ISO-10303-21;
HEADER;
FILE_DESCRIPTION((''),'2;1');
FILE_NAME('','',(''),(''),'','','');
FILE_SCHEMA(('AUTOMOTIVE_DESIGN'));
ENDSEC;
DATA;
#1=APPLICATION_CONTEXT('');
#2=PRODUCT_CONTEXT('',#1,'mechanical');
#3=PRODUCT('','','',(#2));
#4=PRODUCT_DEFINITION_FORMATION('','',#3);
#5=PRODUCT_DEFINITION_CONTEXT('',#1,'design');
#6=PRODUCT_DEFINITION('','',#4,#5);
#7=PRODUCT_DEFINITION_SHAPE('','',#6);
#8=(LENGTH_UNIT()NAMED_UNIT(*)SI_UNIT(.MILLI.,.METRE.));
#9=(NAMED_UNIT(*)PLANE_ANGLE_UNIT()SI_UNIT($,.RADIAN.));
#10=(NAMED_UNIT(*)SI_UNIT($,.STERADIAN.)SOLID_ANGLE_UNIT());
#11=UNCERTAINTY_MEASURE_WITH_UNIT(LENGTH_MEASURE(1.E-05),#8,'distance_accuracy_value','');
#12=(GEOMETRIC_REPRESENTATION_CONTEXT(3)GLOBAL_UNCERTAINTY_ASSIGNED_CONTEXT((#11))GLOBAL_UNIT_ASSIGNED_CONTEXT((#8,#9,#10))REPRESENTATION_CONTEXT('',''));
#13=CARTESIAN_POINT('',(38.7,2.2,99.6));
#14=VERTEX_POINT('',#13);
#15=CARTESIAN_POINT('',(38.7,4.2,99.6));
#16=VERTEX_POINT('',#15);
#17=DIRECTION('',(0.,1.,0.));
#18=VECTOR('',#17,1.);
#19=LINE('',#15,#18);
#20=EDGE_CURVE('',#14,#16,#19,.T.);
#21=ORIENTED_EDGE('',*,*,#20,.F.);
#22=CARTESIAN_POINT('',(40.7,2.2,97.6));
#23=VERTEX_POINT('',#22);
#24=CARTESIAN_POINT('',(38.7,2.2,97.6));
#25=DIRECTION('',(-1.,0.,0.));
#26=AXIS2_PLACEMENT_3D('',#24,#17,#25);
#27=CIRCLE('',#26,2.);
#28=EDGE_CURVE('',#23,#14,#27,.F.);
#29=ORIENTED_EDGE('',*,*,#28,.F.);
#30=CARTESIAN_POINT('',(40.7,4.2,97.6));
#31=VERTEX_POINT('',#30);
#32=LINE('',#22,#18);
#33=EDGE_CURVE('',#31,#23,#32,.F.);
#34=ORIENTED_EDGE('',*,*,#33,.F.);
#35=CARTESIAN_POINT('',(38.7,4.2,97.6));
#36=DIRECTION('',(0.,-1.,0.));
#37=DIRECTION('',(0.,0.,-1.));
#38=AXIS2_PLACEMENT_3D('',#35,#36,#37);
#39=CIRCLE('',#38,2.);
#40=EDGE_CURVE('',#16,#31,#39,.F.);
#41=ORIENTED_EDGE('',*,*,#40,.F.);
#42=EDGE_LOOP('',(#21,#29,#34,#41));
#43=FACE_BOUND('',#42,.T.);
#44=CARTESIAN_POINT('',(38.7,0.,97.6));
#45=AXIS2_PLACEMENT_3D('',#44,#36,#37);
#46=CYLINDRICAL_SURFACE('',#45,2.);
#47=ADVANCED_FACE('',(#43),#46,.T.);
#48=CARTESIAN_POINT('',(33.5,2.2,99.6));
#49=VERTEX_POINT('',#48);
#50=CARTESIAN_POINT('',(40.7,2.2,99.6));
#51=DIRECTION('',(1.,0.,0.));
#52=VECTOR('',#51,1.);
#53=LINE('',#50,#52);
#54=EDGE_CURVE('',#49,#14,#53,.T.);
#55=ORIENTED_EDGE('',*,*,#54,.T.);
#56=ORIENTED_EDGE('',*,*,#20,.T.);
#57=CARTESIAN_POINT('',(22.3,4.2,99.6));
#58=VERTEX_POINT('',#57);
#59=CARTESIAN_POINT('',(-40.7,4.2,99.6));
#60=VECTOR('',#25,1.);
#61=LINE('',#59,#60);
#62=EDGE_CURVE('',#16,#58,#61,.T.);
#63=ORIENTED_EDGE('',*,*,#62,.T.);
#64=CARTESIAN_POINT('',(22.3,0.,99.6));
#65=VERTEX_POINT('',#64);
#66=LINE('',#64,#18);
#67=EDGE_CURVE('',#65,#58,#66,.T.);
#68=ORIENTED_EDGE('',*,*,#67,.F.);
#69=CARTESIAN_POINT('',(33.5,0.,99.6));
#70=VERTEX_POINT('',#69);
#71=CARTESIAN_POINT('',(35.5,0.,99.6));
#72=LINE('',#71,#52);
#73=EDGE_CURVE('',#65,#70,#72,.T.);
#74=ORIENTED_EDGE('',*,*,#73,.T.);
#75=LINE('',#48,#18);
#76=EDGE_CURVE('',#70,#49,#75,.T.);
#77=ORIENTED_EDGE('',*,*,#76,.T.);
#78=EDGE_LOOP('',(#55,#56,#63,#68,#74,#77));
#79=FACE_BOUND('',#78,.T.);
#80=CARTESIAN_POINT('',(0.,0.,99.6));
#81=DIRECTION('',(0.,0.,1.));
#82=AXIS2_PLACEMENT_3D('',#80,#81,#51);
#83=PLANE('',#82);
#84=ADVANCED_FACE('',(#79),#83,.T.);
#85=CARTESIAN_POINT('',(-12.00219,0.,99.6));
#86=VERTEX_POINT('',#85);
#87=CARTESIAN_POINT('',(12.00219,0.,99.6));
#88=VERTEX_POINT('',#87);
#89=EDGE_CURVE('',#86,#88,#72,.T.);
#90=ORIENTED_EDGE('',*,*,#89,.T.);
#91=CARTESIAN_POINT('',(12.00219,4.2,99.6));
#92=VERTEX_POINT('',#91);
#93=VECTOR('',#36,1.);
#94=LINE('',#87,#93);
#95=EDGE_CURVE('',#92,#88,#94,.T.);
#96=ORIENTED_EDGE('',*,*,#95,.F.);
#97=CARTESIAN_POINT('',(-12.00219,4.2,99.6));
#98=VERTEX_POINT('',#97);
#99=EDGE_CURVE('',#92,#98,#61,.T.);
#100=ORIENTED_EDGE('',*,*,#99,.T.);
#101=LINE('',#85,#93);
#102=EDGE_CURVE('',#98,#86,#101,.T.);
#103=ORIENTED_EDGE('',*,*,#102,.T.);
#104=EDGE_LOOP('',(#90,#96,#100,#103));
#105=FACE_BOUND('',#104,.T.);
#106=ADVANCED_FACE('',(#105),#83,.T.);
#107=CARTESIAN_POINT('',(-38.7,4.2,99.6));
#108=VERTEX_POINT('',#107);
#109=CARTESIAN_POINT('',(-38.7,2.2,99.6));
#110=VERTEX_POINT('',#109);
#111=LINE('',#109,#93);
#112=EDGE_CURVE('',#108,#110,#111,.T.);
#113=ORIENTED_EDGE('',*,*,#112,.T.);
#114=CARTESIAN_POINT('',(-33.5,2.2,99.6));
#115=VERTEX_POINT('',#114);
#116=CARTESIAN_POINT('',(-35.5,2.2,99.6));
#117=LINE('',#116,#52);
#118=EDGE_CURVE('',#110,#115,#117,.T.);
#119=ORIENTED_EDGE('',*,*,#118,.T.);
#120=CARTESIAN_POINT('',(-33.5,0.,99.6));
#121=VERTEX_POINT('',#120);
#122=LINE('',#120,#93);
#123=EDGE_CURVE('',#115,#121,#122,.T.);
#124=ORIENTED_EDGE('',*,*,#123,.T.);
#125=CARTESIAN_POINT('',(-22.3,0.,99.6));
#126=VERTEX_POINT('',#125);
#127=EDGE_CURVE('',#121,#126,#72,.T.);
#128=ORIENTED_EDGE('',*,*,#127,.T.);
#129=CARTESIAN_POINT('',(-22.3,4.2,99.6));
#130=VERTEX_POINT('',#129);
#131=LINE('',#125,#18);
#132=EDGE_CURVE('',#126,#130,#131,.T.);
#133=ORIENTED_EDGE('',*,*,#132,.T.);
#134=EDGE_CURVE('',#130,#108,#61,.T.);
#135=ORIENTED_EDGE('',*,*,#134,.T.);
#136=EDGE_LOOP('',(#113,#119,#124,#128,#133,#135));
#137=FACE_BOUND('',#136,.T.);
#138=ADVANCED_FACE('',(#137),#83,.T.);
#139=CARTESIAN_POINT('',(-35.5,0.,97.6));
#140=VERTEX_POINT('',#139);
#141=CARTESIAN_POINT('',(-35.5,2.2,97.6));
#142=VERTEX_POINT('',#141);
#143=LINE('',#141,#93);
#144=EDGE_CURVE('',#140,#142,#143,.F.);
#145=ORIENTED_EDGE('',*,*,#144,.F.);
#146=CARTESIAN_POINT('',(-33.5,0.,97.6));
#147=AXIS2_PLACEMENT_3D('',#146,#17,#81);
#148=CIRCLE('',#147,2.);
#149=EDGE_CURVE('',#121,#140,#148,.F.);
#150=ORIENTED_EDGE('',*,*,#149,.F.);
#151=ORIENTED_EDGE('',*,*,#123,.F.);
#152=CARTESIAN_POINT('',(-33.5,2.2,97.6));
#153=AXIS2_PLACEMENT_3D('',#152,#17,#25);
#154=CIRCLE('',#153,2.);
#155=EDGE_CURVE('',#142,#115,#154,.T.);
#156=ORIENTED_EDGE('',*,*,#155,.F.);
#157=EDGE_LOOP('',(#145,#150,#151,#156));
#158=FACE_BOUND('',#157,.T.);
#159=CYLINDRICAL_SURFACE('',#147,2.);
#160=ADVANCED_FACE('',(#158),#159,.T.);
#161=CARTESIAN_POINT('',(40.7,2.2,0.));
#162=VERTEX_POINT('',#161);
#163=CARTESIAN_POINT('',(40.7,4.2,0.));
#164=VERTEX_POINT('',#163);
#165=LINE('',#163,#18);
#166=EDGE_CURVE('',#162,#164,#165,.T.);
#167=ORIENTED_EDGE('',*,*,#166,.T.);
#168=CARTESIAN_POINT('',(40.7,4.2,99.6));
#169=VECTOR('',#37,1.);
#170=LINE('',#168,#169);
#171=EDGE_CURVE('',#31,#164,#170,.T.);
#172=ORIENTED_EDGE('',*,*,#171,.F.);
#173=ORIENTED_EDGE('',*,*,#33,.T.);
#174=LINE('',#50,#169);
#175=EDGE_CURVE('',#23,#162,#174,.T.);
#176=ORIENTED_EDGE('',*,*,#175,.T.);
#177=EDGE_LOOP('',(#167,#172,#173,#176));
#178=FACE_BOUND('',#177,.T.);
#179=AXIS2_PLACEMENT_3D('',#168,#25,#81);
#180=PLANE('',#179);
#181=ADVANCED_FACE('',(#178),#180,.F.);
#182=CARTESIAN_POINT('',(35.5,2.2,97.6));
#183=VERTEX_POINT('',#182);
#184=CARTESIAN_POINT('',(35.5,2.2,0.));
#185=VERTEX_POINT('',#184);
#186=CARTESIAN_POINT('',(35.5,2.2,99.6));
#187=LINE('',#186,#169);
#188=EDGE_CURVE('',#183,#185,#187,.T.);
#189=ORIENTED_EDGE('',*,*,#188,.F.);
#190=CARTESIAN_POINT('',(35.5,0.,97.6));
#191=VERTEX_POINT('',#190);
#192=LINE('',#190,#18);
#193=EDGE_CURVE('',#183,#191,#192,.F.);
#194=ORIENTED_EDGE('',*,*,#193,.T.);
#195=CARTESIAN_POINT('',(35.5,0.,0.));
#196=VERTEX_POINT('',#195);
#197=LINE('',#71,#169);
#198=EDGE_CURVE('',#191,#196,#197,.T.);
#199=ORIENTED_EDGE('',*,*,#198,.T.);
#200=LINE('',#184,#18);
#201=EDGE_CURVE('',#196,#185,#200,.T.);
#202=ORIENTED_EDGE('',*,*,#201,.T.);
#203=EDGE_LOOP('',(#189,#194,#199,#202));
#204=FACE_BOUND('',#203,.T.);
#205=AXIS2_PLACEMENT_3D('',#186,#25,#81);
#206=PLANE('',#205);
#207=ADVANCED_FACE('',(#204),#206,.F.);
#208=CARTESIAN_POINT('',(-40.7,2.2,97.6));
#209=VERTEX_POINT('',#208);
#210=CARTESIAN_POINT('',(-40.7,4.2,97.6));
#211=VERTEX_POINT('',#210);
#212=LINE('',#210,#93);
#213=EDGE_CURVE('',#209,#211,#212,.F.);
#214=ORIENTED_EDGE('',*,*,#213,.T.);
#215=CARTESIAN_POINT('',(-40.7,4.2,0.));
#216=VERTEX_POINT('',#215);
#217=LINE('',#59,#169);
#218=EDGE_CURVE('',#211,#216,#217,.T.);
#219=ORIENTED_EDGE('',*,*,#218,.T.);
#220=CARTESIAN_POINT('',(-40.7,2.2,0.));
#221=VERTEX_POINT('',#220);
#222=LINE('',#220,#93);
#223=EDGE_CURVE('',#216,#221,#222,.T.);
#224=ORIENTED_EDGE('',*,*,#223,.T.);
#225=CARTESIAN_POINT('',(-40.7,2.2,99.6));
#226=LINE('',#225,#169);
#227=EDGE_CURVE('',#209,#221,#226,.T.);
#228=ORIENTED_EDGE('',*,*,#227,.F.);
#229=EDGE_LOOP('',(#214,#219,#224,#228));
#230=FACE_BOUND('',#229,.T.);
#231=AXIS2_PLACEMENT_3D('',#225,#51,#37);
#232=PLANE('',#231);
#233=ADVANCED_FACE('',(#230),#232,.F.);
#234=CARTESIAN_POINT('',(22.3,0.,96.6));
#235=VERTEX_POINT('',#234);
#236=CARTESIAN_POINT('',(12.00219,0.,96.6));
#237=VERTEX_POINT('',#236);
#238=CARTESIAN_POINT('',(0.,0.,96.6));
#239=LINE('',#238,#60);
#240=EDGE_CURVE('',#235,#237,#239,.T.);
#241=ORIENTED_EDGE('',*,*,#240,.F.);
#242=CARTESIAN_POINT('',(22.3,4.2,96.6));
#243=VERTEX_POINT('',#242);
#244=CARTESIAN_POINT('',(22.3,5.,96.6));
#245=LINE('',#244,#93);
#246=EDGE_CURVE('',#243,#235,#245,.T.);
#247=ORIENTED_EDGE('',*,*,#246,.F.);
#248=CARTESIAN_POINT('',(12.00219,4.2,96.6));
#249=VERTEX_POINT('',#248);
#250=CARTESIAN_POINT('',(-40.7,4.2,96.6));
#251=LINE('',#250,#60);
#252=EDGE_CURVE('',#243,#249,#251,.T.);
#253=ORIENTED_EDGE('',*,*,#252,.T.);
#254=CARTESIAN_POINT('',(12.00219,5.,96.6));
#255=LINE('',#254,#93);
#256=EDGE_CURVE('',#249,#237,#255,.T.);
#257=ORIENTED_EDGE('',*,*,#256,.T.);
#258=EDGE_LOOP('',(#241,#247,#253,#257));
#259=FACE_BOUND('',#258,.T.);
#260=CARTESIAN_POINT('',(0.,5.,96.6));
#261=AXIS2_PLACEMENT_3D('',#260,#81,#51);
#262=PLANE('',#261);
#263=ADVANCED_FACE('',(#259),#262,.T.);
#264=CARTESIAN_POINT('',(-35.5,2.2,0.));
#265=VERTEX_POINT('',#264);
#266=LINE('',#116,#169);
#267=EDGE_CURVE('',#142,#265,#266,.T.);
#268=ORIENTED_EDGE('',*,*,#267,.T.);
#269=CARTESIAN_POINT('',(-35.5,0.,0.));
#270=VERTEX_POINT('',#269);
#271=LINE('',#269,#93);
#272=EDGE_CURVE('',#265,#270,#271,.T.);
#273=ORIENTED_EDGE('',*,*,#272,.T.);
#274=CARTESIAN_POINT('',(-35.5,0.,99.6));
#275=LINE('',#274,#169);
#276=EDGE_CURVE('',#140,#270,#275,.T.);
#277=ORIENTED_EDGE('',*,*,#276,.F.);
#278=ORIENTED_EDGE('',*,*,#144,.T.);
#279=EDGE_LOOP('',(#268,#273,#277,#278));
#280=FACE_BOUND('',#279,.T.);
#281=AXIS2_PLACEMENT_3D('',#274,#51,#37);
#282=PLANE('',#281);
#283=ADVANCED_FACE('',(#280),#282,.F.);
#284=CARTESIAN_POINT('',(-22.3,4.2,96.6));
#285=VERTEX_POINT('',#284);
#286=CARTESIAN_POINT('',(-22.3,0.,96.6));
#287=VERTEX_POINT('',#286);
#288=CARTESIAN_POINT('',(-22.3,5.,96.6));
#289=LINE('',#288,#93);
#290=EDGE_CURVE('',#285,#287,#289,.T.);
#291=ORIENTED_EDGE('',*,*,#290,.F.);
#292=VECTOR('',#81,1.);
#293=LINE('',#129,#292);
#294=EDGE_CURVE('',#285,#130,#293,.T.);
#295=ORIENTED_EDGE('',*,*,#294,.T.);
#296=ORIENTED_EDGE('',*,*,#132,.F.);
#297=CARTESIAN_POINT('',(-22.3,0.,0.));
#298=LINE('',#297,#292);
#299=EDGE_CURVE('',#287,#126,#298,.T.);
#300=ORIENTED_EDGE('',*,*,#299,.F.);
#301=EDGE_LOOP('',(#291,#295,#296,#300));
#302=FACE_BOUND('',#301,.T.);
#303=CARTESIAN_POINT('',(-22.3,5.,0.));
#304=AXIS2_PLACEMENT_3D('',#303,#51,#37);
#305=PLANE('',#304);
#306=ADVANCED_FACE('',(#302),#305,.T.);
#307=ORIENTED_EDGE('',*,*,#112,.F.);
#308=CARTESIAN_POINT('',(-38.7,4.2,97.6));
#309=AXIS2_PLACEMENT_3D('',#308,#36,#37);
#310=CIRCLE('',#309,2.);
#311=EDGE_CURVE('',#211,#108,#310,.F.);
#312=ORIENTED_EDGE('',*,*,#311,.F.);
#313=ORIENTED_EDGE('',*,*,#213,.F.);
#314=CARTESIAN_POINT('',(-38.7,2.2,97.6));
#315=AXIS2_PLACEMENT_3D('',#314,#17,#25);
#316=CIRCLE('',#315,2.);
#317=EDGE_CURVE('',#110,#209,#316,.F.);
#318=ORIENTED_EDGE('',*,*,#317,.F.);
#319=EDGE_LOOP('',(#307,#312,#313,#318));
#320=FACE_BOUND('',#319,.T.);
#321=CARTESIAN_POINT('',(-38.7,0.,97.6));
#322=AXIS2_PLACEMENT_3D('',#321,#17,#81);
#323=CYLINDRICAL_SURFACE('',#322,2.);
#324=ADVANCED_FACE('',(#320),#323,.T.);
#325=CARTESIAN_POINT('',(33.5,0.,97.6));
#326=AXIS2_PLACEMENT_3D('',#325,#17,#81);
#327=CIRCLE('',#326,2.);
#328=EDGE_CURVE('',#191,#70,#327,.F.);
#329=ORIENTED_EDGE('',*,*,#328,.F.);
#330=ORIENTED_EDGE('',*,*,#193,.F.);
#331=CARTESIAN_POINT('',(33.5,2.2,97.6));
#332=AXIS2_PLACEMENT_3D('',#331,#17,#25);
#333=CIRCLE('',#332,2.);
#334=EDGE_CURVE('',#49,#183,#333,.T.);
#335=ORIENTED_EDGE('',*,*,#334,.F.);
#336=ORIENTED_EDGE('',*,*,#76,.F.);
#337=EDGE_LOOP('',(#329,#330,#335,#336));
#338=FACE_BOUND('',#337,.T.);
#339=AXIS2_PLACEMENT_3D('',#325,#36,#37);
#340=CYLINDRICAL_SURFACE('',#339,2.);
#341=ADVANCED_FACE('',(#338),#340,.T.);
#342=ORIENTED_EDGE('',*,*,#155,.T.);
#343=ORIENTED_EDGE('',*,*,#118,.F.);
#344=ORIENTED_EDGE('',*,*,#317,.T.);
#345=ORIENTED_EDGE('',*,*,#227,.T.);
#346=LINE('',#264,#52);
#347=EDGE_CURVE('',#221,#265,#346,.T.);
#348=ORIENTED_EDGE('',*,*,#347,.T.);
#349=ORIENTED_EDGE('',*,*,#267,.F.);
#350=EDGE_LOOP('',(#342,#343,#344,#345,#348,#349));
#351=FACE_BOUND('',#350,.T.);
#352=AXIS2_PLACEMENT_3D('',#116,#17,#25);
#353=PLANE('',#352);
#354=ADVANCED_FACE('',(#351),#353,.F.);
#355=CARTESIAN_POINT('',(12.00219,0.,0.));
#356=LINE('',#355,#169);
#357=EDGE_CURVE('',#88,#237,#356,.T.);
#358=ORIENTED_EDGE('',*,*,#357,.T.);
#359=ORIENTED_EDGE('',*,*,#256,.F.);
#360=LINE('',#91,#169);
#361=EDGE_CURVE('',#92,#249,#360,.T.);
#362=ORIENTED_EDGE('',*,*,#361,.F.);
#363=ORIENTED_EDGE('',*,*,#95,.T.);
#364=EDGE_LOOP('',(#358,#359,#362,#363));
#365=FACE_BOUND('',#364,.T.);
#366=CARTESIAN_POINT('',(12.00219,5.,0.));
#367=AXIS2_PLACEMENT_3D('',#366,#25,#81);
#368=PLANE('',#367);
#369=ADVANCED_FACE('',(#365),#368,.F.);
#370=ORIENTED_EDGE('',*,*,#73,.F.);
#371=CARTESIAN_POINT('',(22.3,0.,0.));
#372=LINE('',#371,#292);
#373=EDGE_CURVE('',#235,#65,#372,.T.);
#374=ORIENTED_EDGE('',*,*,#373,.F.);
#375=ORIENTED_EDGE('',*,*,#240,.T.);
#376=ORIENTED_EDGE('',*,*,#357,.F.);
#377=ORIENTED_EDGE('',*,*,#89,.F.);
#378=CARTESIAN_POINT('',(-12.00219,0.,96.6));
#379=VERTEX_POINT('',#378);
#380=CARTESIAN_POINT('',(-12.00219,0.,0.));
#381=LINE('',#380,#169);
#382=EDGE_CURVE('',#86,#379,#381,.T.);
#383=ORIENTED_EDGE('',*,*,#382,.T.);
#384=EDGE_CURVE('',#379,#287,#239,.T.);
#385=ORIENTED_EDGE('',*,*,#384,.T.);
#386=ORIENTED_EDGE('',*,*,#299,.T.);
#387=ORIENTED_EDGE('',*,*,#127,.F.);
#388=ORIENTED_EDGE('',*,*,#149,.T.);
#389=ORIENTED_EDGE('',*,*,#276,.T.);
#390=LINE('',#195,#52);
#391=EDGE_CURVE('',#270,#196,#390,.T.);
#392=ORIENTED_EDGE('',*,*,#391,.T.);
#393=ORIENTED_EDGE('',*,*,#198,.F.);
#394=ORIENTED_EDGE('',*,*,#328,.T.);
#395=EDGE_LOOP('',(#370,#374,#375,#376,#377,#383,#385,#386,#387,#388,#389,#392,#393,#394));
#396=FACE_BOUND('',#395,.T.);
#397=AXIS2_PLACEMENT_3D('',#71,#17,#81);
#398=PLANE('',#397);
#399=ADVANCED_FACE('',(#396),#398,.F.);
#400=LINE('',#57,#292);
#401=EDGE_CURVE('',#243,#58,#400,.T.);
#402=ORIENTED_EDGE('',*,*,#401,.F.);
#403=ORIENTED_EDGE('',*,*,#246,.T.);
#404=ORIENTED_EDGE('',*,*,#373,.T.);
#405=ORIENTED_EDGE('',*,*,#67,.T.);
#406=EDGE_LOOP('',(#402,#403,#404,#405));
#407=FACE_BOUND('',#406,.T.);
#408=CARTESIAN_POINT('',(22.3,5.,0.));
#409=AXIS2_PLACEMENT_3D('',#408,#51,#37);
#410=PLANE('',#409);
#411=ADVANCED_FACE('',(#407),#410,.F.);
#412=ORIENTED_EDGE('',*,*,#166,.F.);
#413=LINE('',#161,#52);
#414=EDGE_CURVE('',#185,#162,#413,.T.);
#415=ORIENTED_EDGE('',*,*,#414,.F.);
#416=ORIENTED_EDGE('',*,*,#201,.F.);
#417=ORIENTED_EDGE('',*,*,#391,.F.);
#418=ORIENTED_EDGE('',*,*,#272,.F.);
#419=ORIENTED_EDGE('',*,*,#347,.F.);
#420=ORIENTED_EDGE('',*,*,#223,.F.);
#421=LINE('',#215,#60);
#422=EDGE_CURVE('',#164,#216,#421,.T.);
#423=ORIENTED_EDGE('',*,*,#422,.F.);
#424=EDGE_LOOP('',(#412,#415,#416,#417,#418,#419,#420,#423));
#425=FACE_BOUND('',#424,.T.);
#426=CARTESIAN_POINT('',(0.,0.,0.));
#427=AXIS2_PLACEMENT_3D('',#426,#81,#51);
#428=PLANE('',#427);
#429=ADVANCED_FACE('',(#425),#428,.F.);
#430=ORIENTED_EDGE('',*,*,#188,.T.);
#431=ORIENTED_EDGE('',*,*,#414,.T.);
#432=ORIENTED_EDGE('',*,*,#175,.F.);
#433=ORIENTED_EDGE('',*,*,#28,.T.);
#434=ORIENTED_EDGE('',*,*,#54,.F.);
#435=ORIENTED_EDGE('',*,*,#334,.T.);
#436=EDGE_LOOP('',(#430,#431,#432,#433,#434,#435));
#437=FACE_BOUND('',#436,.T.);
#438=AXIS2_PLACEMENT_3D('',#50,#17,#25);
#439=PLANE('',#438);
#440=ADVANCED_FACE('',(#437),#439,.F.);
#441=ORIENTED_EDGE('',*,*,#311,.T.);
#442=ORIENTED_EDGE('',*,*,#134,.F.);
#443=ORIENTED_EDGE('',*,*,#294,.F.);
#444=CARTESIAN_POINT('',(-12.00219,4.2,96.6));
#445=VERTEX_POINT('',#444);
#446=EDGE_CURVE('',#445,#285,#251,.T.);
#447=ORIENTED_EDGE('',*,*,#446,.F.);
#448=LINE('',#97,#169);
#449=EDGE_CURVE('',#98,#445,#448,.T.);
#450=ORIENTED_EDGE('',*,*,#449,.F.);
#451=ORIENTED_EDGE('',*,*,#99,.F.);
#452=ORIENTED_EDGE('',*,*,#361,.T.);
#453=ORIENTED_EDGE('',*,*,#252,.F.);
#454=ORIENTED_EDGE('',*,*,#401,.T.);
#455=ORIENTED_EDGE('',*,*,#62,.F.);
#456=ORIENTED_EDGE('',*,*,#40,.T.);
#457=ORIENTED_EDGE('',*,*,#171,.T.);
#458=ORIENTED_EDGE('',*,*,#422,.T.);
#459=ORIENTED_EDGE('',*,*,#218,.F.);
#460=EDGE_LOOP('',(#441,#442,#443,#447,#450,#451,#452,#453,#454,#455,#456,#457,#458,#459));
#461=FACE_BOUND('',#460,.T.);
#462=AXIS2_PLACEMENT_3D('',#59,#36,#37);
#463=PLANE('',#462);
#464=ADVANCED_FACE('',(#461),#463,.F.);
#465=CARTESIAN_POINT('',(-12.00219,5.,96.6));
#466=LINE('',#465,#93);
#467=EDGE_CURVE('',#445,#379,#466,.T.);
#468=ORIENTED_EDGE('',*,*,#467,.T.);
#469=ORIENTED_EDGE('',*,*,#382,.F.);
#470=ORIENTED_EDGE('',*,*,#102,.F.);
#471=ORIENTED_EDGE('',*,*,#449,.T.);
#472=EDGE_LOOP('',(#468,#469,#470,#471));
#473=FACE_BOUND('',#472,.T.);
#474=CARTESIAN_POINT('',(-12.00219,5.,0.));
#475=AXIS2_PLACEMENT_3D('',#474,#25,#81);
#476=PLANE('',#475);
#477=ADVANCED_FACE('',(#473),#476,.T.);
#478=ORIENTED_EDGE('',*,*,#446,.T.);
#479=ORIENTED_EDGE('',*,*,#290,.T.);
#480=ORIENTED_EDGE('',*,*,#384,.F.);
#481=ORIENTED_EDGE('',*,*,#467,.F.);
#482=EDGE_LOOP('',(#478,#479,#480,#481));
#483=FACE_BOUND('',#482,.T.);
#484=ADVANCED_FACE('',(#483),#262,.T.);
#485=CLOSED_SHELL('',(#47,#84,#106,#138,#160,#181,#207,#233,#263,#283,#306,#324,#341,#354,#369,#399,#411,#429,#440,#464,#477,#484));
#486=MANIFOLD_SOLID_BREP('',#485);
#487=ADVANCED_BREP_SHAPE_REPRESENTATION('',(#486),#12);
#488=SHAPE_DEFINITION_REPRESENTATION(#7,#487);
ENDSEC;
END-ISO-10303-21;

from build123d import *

# Parameters (mm, degrees)
BOSS_EXTRUDE1_DEPTH = 99.6
FILLET1_R           = 2
SKETCH3_W           = 10.297809691
SKETCH3_H           = 3
CUT_EXTRUDE1_DEPTH  = 5
FILLET2_R           = 2


with BuildPart() as part:
    # Sketch2 → Boss-Extrude1 (new body)
    with BuildSketch(Plane.XY):
        Polygon((35.5, 0), (-35.5, 0), (-35.5, 2.2), (-40.7, 2.2), (-40.7, 4.2), (40.7, 4.2), (40.7, 2.2), (35.5, 2.2), align=None)
    extrude(amount=BOSS_EXTRUDE1_DEPTH)

    # Fillet1
    fillet1_edges = [part.edges().sort_by_distance(p)[0] for p in [
        (40.7, 3.2, 99.6),
        (-40.7, 3.2, 99.6),
    ]]
    fillet(fillet1_edges, radius=FILLET1_R)

    # Sketch3 → Cut-Extrude1 (cut)
    with BuildSketch(Plane(origin=(0, 0, 0), x_dir=(-1, 0, 0), z_dir=(0, -1, 0))):
        with Locations((17.151095155, -98.1)):
            Rectangle(SKETCH3_W, SKETCH3_H)
        with Locations((-17.151095155, -98.1)):
            Rectangle(SKETCH3_W, SKETCH3_H)
    extrude(amount=-CUT_EXTRUDE1_DEPTH, mode=Mode.SUBTRACT)

    # Fillet2
    fillet2_edges = [part.edges().sort_by_distance(p)[0] for p in [
        (35.5, 1.1, 99.6),
        (-35.5, 1.1, 99.6),
    ]]
    fillet(fillet2_edges, radius=FILLET2_R)


solid = part.part
